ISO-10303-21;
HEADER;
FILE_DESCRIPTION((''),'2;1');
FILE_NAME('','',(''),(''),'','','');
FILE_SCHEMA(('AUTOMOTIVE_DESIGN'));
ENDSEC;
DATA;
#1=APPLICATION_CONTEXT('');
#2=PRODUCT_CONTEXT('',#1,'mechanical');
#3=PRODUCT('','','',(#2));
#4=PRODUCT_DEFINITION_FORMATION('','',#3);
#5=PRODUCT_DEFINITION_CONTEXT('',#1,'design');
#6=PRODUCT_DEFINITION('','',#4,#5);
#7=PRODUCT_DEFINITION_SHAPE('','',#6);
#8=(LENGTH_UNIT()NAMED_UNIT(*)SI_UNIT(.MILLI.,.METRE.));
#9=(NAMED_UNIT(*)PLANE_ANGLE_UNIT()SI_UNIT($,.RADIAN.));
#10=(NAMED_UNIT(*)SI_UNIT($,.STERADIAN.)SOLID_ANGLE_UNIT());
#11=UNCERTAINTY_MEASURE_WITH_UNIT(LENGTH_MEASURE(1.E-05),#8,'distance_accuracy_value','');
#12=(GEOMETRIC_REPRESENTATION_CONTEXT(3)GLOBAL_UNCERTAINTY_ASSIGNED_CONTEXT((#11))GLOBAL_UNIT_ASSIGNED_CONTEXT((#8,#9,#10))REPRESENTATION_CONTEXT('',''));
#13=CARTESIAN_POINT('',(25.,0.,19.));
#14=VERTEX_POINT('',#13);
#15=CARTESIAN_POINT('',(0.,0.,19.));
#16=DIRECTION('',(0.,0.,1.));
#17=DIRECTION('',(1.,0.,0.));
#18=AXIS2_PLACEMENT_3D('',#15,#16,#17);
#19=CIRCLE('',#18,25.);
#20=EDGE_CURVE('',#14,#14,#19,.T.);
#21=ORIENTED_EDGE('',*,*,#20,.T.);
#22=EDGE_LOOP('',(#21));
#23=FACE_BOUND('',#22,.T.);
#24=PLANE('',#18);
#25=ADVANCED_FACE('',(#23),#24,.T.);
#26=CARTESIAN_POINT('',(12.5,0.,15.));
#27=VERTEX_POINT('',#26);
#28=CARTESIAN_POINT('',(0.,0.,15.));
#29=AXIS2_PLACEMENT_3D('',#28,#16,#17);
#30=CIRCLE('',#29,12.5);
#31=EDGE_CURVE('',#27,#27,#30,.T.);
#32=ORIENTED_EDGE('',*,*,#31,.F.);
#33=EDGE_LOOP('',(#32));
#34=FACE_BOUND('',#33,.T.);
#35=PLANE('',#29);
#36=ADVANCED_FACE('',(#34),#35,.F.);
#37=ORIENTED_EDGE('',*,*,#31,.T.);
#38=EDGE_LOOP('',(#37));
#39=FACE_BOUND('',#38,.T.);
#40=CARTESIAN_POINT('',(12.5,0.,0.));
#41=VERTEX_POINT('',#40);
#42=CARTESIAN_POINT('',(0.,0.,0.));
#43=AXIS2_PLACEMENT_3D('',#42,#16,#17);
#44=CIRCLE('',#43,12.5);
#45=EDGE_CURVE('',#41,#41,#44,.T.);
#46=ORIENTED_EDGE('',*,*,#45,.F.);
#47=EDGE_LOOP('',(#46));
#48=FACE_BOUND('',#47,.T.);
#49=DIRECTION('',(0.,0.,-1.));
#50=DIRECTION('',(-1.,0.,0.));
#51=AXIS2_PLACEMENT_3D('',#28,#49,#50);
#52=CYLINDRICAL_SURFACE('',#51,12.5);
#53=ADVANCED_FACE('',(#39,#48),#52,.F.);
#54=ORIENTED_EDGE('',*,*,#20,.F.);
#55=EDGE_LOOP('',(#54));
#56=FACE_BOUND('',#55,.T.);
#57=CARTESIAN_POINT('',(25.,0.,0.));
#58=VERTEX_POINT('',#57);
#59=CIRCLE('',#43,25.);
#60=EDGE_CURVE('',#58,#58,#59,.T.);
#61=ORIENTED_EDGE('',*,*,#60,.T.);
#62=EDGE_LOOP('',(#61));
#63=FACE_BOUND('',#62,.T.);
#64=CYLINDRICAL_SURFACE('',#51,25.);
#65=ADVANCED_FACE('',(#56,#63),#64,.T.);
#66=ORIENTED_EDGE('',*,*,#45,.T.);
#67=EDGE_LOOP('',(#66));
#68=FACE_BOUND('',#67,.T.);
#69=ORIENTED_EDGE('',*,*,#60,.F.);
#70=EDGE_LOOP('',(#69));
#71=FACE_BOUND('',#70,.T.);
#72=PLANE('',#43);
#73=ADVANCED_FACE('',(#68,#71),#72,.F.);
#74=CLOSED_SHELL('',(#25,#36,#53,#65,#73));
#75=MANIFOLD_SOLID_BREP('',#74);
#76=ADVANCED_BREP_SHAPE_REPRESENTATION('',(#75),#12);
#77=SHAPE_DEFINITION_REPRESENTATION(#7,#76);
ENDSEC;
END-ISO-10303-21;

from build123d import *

# Parameters (mm, degrees)
SKETCH_1_R      = 25
SKETCH_1_R_2    = 12.5
EXTRUDE_2_DEPTH = 15
SKETCH_4_R      = 25
EXTRUDE_3_DEPTH = 4


with BuildPart() as part:
    # Эскиз1 → Вытянуть2 (new body)
    with BuildSketch(Plane.XY):
        Circle(SKETCH_1_R)
        Circle(SKETCH_1_R_2, mode=Mode.SUBTRACT)
    extrude(amount=EXTRUDE_2_DEPTH)

    # Эскиз4 → Вытянуть3 (add)
    with BuildSketch(Plane.XY.offset(15)):
        Circle(SKETCH_4_R)
    extrude(amount=EXTRUDE_3_DEPTH)


solid = part.part
